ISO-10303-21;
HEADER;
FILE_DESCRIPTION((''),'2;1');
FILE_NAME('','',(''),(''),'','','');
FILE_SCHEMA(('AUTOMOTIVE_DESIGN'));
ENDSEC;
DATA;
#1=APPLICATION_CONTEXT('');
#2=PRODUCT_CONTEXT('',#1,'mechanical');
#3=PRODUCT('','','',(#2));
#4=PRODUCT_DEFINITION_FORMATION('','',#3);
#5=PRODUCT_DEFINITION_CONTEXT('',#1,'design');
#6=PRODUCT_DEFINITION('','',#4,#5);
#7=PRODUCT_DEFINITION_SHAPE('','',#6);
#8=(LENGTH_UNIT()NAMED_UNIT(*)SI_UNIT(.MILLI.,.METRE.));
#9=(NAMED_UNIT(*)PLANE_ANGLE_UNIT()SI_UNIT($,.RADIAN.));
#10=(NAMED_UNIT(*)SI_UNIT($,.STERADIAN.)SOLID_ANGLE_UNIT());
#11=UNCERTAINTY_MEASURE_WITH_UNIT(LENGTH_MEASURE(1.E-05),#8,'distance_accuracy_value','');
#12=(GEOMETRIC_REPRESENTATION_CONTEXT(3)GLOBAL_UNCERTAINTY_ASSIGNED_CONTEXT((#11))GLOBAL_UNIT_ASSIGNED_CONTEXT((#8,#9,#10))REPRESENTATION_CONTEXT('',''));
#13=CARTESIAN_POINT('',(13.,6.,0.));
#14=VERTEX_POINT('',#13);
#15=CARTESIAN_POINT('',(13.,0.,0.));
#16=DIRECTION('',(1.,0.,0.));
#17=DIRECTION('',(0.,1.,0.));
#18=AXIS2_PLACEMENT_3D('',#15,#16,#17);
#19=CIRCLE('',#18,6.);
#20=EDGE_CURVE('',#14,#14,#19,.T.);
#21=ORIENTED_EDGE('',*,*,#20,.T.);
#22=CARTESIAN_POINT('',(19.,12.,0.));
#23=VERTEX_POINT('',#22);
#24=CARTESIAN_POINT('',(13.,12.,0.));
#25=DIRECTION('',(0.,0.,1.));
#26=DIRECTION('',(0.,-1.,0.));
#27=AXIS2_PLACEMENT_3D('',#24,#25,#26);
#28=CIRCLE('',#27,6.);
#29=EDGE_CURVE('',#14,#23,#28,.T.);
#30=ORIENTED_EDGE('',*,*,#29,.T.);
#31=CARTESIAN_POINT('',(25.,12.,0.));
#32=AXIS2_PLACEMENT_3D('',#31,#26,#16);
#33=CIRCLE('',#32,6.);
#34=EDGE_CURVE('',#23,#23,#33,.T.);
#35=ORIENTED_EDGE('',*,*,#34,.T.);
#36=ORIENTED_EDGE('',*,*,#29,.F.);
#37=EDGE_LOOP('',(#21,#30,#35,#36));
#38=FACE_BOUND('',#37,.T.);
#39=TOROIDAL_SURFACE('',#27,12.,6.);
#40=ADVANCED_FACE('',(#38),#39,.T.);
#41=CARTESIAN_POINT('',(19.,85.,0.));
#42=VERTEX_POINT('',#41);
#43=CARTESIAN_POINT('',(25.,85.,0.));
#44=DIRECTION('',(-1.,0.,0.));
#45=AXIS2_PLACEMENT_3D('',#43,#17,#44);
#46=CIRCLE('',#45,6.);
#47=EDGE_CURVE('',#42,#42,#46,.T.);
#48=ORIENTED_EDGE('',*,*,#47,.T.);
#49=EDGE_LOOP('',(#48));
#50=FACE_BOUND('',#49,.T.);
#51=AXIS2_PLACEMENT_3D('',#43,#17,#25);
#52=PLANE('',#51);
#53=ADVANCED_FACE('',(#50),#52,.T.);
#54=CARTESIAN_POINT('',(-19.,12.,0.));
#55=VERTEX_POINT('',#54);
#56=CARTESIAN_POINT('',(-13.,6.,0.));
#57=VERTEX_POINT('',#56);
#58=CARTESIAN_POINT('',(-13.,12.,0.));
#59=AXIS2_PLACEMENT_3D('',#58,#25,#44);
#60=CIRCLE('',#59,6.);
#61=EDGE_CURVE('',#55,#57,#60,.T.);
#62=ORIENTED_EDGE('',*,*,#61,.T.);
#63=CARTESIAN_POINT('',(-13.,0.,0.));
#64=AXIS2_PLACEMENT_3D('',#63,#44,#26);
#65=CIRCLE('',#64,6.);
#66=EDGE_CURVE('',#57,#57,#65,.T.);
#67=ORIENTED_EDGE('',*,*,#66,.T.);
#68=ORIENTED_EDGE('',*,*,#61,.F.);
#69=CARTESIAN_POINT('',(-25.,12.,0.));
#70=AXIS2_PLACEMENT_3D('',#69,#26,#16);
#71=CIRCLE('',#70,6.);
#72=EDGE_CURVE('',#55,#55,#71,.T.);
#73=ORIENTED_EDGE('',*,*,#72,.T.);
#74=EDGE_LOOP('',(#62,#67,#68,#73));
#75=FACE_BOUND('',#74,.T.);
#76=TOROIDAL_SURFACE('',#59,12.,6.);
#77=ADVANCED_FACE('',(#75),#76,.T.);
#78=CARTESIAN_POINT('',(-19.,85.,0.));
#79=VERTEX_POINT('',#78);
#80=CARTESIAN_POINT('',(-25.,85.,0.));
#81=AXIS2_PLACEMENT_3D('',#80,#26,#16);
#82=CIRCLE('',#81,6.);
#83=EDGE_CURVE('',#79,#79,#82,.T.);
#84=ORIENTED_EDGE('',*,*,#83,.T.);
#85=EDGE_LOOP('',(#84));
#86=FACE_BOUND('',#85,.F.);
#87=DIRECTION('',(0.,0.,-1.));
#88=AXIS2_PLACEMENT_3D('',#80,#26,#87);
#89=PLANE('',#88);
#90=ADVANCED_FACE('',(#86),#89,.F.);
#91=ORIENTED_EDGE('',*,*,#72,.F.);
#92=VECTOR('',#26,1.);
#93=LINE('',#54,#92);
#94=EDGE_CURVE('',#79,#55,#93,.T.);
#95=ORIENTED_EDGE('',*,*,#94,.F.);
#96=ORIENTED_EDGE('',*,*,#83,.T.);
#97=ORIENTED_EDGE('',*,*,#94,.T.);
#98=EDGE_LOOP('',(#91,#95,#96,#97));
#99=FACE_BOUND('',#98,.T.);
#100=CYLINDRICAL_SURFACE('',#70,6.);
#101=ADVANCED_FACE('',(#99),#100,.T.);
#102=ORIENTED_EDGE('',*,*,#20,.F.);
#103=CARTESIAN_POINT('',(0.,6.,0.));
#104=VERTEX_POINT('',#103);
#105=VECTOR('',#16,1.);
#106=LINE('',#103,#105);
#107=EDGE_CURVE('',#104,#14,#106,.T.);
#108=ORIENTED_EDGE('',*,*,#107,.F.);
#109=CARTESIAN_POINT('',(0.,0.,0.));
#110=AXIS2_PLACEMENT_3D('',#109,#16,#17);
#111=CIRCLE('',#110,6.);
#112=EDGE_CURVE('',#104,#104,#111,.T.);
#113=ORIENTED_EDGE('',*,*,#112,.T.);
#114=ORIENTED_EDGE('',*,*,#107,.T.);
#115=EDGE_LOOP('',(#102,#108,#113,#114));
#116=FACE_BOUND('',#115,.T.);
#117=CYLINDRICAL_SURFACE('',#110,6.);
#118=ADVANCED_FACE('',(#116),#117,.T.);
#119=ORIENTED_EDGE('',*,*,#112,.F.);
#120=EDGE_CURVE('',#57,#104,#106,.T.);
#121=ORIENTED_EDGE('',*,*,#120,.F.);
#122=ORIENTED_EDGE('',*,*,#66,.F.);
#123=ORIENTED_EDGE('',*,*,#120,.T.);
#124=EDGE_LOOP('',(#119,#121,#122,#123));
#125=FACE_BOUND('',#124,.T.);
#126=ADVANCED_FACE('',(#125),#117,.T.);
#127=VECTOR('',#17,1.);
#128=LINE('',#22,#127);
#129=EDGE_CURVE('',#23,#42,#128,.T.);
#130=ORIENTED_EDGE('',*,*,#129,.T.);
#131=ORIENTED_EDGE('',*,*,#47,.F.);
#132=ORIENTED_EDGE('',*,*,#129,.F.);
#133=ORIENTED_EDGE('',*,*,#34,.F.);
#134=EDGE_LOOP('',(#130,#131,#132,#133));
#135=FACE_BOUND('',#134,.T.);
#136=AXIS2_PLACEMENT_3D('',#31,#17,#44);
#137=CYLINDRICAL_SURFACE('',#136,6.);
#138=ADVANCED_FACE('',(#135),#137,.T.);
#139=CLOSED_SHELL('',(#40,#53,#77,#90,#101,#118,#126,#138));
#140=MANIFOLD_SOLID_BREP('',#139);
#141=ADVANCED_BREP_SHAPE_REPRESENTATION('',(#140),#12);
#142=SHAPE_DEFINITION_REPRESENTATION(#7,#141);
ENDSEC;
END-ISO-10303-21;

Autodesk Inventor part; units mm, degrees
ref_plane "YZ Plane" through (0, 0, 0) normal (1, 0, 0) x (0, 1, 0)
ref_plane "XZ Plane" through (0, 0, 0) normal (0, 1, 0) x (-1, 0, 0)
ref_plane "XY Plane" through (0, 0, 0) normal (0, 0, 1) x (1, 0, 0)
sketch "Sketch1" plane through (0, 0, 0) normal (1, 0, 0) x (0, 1, 0)
  circle A0 centre (0, 0) radius 6
  dimension "d0" = 12
sketch "Sketch2" plane through (0, 0, 0) normal (0, 0, 1) x (1, 0, 0)
  line L0 (0, 0) -> (13, 0)
  line L1 (25, 12) -> (25, 85)
  line L2 (0, 0) -> (0, 120)
  line L3 (0, 0) -> (-13, 0)
  line L4 (-25, 12) -> (-25, 85)
  arc A0 (-25, 12) -> (-13, 0) centre (-13, 12) ccw
  arc A1 (13, 0) -> (25, 12) centre (13, 12) ccw
  point P0 (25, 0)
  point P1 (-25, 0)
  dimension "d1" = 25
  dimension "d2" = 85
  dimension "d3" = 12
sweep "Sweep1" add profiles "Sketch1" path "Sketch2" path curves L1 A1 L0 L3 A0 L4
thread "Thread1"
thread "Thread2"
properties part number "Suspension_Clamp_U-Bolt"
